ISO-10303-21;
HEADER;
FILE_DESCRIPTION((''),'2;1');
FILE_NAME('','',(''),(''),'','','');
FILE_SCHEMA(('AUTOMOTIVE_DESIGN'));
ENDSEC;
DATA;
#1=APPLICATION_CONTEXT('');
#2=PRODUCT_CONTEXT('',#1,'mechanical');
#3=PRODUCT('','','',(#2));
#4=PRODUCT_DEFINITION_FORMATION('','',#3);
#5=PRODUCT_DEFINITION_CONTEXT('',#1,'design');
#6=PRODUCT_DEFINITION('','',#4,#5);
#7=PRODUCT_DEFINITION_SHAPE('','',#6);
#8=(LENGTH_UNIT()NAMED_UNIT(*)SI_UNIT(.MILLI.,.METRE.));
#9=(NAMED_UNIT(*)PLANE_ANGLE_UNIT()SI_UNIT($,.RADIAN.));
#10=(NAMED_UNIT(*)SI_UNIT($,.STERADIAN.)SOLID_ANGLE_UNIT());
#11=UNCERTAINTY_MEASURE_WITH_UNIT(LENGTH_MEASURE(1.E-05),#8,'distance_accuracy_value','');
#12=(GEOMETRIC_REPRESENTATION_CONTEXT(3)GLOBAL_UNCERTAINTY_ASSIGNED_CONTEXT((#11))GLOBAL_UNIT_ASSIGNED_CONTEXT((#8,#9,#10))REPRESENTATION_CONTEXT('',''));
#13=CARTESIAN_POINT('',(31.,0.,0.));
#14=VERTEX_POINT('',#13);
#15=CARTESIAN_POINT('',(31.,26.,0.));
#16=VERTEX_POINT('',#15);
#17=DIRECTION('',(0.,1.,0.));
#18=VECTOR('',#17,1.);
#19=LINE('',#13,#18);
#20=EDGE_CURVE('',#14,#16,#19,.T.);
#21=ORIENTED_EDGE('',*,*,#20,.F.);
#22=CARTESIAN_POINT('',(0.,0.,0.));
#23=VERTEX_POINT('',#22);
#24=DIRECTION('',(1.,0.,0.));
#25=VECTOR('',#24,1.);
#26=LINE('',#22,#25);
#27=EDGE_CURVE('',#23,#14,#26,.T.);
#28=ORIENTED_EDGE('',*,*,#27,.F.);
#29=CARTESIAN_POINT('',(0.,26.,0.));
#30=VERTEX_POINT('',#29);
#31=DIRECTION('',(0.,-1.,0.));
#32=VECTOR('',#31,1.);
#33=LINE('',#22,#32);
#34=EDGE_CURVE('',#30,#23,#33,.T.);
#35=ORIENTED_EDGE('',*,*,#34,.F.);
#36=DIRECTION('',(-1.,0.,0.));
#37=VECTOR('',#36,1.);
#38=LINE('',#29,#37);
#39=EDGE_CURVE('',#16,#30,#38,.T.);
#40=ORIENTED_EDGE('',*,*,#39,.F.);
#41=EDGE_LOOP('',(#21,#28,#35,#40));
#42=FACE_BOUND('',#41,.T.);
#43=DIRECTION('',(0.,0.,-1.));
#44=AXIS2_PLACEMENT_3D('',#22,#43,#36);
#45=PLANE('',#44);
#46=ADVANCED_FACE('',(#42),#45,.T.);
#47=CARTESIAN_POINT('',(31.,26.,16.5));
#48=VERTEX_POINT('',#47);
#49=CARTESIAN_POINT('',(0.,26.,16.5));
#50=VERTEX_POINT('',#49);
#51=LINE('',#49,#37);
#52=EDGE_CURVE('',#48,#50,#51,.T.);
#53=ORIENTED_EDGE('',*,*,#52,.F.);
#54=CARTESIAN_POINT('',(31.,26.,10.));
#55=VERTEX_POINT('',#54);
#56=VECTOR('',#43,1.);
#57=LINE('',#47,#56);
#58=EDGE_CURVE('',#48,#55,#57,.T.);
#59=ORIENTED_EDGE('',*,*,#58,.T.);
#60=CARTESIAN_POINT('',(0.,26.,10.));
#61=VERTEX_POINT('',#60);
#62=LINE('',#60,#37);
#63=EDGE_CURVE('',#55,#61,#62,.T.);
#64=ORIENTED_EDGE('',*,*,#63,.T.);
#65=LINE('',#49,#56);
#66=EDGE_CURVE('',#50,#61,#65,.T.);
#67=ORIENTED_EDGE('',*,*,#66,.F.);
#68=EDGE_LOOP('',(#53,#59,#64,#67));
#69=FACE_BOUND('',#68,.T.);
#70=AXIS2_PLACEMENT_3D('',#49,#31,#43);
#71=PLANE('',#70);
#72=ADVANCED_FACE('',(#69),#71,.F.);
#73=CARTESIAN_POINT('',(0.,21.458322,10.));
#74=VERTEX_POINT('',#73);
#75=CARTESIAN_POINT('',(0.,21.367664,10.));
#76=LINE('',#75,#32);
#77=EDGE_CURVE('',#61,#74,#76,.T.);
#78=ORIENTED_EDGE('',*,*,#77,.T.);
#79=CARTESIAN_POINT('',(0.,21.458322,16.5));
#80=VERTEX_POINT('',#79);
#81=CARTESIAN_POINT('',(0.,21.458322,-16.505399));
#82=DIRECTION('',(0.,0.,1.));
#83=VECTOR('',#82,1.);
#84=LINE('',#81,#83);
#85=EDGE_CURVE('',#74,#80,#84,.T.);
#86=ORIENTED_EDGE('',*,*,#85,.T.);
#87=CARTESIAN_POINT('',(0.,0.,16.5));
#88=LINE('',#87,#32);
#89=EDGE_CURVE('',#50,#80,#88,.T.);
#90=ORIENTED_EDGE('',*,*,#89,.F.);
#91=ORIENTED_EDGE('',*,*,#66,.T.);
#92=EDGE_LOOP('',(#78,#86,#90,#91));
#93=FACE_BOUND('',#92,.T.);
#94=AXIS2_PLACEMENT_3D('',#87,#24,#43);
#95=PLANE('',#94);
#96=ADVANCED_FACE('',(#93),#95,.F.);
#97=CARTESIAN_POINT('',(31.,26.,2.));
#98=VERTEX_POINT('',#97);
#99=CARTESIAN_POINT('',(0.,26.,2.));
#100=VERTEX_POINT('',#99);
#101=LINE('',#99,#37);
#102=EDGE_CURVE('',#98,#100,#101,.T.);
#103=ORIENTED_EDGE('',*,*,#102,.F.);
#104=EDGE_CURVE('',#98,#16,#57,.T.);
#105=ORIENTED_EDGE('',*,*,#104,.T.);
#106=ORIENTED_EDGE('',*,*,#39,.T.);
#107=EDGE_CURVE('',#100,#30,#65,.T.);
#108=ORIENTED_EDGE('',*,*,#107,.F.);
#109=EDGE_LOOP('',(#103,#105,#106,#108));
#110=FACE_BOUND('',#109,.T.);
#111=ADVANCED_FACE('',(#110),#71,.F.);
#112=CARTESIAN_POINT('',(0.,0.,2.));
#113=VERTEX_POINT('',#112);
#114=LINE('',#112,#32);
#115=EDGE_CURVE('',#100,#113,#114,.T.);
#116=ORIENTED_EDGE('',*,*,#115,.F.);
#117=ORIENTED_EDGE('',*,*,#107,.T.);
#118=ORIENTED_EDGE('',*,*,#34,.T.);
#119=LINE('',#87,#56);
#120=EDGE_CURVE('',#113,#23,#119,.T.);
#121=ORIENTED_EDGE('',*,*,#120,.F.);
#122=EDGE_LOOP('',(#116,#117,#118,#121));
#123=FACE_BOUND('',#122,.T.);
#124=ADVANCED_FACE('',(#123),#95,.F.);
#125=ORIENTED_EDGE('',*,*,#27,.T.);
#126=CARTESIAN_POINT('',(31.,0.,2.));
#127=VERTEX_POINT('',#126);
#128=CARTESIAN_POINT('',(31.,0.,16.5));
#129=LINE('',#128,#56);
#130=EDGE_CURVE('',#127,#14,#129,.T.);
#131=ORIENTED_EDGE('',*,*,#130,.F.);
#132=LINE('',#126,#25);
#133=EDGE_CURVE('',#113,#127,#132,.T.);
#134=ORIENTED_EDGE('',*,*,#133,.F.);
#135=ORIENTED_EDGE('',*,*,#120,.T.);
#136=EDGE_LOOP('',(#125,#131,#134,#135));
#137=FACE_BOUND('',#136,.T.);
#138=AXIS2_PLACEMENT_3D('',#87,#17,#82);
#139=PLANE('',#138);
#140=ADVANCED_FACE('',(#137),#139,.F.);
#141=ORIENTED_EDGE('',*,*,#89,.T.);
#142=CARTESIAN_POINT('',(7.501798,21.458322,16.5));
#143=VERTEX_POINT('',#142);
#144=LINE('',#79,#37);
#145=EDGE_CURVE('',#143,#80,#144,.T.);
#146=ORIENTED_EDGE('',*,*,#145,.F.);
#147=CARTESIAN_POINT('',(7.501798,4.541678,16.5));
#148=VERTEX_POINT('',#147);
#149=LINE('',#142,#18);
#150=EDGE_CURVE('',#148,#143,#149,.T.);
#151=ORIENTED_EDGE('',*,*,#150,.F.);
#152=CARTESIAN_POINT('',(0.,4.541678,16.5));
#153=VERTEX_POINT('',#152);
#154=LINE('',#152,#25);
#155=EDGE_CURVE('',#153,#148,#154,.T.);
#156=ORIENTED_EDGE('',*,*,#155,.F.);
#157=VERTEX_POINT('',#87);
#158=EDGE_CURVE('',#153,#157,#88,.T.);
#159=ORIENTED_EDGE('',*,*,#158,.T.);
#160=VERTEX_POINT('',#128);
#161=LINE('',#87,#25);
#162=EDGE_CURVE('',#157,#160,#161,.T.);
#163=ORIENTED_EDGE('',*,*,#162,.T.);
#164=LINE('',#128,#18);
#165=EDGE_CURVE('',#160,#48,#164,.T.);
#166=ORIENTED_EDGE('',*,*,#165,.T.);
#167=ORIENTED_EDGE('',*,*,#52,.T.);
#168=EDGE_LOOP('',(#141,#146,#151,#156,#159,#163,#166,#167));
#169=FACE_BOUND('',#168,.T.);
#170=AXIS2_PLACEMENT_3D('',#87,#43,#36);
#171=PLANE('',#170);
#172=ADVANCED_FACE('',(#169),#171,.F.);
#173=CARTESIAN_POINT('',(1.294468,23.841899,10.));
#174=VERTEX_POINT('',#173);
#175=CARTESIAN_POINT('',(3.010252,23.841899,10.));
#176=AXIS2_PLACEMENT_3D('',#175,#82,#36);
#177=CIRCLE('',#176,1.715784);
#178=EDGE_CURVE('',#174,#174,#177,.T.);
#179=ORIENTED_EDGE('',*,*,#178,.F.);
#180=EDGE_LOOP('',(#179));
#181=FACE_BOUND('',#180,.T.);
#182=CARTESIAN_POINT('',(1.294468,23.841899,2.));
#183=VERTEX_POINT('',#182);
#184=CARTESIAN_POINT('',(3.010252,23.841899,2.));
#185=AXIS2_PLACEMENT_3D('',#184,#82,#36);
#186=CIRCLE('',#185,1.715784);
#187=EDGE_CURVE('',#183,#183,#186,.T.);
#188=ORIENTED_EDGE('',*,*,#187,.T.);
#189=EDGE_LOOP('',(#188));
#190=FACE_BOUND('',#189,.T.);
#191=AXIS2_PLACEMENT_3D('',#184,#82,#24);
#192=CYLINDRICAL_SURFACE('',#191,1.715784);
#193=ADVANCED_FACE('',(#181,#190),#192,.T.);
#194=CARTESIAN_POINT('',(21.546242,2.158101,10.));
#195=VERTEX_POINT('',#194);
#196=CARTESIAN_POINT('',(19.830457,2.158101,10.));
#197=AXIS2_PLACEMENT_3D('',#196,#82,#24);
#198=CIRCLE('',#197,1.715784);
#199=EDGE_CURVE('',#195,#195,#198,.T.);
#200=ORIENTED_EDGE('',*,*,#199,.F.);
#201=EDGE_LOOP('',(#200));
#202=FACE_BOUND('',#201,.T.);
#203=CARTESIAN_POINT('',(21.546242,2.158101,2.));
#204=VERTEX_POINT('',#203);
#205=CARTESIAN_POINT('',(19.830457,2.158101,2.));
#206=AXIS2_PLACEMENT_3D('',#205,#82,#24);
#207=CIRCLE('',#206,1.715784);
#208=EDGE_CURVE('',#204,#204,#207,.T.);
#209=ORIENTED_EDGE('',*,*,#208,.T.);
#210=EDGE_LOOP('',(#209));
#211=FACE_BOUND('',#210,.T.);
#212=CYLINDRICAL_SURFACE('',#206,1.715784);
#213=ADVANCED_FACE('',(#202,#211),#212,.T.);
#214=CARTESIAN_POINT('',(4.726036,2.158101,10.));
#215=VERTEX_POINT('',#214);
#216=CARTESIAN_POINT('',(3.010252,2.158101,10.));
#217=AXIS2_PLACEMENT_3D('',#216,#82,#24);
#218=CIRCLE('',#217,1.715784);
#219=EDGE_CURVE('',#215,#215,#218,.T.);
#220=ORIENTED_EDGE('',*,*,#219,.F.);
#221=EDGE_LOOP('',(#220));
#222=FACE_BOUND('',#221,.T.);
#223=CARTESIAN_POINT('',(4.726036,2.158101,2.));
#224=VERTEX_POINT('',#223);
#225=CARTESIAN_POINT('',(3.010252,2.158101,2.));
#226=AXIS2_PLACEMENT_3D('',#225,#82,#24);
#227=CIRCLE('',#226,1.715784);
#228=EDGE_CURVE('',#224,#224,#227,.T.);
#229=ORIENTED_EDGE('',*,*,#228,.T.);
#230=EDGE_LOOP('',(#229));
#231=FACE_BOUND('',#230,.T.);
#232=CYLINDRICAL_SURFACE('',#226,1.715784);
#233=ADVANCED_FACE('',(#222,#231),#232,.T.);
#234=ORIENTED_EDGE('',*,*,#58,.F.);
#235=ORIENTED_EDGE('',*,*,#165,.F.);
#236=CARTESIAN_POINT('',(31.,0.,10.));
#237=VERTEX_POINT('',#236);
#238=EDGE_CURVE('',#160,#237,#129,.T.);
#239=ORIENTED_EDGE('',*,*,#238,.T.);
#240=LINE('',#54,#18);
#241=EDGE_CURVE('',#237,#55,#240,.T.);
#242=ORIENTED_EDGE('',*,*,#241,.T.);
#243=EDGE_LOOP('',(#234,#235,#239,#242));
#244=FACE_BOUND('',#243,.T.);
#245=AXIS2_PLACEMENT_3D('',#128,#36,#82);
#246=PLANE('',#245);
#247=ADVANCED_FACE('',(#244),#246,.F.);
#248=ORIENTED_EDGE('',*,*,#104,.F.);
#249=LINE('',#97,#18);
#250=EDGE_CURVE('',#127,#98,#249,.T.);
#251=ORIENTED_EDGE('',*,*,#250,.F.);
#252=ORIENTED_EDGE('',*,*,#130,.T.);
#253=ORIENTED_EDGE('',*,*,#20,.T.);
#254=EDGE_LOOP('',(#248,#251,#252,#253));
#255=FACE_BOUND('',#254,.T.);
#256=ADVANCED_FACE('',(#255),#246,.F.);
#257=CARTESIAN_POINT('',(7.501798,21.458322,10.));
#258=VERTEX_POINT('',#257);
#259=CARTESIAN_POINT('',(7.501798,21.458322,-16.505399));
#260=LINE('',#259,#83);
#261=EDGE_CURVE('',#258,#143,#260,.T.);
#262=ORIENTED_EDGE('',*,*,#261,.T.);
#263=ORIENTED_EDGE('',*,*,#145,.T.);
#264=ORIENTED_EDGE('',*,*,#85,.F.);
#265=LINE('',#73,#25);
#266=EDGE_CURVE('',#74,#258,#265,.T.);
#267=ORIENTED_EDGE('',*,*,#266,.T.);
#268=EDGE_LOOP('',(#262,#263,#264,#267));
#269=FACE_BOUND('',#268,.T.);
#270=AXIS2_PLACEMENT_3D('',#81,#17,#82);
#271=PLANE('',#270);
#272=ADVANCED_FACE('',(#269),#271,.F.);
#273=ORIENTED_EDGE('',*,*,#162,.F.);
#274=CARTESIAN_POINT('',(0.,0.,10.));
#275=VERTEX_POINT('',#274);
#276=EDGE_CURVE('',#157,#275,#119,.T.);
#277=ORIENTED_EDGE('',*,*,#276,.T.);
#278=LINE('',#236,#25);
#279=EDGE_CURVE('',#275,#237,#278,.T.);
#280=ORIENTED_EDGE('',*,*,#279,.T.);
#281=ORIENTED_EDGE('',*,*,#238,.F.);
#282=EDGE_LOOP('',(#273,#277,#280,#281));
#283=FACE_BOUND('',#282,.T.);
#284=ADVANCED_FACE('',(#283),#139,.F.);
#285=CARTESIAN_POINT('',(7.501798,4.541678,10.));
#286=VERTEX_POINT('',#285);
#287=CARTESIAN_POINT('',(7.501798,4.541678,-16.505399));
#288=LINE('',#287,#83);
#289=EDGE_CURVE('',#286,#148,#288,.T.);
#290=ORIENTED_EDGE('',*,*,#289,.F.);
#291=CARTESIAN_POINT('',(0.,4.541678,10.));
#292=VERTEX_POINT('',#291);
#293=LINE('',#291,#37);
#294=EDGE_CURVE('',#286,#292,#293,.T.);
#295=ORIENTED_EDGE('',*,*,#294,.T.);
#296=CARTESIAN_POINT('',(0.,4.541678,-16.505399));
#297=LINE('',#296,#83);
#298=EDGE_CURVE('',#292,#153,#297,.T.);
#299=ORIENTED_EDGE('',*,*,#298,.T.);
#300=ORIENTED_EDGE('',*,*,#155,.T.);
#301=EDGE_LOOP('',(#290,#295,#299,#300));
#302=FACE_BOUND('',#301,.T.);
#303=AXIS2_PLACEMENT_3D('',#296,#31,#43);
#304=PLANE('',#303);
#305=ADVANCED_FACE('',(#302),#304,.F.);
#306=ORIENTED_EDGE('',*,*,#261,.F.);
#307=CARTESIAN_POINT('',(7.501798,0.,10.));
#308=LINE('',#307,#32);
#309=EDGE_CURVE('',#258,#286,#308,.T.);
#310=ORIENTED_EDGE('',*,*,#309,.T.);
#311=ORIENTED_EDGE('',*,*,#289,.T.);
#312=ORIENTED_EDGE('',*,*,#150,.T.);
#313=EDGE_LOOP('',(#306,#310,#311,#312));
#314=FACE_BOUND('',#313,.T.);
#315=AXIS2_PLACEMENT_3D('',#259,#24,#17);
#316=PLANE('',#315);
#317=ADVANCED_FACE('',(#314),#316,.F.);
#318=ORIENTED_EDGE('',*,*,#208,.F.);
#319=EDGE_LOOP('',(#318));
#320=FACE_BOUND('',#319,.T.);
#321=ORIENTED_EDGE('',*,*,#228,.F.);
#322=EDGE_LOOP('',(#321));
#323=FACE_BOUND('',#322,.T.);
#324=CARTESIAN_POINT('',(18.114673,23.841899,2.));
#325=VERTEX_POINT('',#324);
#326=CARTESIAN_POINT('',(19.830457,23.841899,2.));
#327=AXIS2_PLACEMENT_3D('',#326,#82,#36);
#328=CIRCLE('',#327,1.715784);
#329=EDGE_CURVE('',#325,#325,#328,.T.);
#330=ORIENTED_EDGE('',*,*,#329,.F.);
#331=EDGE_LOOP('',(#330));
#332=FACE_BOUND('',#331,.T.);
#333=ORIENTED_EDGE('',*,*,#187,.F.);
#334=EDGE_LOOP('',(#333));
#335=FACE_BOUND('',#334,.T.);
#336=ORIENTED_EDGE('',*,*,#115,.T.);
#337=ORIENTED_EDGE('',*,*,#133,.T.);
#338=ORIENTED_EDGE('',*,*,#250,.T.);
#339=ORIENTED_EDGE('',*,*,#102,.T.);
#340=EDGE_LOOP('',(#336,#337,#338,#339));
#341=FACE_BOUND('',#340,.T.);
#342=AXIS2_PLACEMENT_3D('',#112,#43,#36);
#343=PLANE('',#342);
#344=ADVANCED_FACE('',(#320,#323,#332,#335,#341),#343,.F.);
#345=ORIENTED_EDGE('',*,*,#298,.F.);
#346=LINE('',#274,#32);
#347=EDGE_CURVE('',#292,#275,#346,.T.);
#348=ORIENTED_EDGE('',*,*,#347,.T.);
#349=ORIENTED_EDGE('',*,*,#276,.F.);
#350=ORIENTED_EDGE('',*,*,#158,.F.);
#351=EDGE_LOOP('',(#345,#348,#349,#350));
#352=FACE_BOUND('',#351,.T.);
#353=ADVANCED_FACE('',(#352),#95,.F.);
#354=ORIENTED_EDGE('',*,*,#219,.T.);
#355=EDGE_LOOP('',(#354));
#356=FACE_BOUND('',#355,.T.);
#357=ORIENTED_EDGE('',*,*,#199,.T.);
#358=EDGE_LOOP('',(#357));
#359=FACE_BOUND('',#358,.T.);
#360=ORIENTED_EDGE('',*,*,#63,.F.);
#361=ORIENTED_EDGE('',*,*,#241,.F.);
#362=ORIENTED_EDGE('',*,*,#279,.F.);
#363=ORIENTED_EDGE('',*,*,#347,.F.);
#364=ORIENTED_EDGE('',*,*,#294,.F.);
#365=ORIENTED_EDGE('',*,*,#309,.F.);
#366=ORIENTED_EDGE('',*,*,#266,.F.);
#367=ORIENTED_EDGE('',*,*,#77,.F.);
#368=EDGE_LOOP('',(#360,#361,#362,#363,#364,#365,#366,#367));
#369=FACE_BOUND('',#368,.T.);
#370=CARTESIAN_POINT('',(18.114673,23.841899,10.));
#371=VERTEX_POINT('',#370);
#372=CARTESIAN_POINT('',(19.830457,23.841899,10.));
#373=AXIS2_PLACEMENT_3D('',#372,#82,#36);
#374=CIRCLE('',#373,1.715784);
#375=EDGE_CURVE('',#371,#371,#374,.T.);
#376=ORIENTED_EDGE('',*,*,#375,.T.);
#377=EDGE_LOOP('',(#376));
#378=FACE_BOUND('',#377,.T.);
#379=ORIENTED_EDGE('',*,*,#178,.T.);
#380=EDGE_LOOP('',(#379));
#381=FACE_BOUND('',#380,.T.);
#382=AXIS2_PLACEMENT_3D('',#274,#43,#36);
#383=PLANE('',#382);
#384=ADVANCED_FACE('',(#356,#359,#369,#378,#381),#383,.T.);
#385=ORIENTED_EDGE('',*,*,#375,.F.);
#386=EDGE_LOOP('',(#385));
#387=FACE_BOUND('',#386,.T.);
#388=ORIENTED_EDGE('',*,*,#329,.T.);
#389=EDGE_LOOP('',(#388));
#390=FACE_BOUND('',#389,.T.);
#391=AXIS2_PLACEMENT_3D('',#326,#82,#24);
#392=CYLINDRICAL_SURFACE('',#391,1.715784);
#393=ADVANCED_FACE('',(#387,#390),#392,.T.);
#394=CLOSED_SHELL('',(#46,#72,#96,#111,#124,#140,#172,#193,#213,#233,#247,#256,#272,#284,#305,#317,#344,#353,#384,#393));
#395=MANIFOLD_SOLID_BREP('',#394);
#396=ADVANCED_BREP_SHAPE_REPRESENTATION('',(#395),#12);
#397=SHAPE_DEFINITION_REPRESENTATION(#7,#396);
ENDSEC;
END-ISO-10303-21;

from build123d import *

# Parameters (mm, degrees)
SKETCH1_W           = 31
SKETCH1_H           = 26
BOSS_EXTRUDE1_DEPTH = 16.5
CUT_EXTRUDE1_START  = -6.5
SKETCH3_R           = 1.715784354
CUT_EXTRUDE1_DEPTH  = 8
SKETCH4_W           = 7.501797644
SKETCH4_H           = 16.91664374
CUT_EXTRUDE2_DEPTH  = 14.5


with BuildPart() as part:
    # Sketch1 → Boss-Extrude1 (new body)
    with BuildSketch(Plane.XY):
        with Locations((15.5, 13)):
            Rectangle(SKETCH1_W, SKETCH1_H)
    extrude(amount=BOSS_EXTRUDE1_DEPTH)

    # Sketch3 → Cut-Extrude1 (cut)
    with BuildSketch(Plane.XY.offset(16.5).offset(CUT_EXTRUDE1_START)):
        Polygon((0, 0), (0, 4.632335589), (6.323496347, 4.632335589), (6.323496347, 21.367664411), (0, 21.367664411), (0, 26), (31, 26), (31, 0), align=None)
        with Locations((3.010252107, 2.158101323)):
            Circle(SKETCH3_R, mode=Mode.SUBTRACT)
        with Locations((19.83045716, 2.158101323)):
            Circle(SKETCH3_R, mode=Mode.SUBTRACT)
        with Locations(Location((3.010252107, 23.841898677, 0), (0, 0, 180))):
            Circle(SKETCH3_R, mode=Mode.SUBTRACT)
        with Locations(Location((19.83045716, 23.841898677, 0), (0, 0, 180))):
            Circle(SKETCH3_R, mode=Mode.SUBTRACT)
    extrude(amount=-CUT_EXTRUDE1_DEPTH, mode=Mode.SUBTRACT)

    # Sketch4 → Cut-Extrude2 (cut)
    with BuildSketch(Plane.XY.offset(16.5)):
        with Locations((3.750898822, 13)):
            Rectangle(SKETCH4_W, SKETCH4_H)
    extrude(amount=-CUT_EXTRUDE2_DEPTH, mode=Mode.SUBTRACT)


solid = part.part
